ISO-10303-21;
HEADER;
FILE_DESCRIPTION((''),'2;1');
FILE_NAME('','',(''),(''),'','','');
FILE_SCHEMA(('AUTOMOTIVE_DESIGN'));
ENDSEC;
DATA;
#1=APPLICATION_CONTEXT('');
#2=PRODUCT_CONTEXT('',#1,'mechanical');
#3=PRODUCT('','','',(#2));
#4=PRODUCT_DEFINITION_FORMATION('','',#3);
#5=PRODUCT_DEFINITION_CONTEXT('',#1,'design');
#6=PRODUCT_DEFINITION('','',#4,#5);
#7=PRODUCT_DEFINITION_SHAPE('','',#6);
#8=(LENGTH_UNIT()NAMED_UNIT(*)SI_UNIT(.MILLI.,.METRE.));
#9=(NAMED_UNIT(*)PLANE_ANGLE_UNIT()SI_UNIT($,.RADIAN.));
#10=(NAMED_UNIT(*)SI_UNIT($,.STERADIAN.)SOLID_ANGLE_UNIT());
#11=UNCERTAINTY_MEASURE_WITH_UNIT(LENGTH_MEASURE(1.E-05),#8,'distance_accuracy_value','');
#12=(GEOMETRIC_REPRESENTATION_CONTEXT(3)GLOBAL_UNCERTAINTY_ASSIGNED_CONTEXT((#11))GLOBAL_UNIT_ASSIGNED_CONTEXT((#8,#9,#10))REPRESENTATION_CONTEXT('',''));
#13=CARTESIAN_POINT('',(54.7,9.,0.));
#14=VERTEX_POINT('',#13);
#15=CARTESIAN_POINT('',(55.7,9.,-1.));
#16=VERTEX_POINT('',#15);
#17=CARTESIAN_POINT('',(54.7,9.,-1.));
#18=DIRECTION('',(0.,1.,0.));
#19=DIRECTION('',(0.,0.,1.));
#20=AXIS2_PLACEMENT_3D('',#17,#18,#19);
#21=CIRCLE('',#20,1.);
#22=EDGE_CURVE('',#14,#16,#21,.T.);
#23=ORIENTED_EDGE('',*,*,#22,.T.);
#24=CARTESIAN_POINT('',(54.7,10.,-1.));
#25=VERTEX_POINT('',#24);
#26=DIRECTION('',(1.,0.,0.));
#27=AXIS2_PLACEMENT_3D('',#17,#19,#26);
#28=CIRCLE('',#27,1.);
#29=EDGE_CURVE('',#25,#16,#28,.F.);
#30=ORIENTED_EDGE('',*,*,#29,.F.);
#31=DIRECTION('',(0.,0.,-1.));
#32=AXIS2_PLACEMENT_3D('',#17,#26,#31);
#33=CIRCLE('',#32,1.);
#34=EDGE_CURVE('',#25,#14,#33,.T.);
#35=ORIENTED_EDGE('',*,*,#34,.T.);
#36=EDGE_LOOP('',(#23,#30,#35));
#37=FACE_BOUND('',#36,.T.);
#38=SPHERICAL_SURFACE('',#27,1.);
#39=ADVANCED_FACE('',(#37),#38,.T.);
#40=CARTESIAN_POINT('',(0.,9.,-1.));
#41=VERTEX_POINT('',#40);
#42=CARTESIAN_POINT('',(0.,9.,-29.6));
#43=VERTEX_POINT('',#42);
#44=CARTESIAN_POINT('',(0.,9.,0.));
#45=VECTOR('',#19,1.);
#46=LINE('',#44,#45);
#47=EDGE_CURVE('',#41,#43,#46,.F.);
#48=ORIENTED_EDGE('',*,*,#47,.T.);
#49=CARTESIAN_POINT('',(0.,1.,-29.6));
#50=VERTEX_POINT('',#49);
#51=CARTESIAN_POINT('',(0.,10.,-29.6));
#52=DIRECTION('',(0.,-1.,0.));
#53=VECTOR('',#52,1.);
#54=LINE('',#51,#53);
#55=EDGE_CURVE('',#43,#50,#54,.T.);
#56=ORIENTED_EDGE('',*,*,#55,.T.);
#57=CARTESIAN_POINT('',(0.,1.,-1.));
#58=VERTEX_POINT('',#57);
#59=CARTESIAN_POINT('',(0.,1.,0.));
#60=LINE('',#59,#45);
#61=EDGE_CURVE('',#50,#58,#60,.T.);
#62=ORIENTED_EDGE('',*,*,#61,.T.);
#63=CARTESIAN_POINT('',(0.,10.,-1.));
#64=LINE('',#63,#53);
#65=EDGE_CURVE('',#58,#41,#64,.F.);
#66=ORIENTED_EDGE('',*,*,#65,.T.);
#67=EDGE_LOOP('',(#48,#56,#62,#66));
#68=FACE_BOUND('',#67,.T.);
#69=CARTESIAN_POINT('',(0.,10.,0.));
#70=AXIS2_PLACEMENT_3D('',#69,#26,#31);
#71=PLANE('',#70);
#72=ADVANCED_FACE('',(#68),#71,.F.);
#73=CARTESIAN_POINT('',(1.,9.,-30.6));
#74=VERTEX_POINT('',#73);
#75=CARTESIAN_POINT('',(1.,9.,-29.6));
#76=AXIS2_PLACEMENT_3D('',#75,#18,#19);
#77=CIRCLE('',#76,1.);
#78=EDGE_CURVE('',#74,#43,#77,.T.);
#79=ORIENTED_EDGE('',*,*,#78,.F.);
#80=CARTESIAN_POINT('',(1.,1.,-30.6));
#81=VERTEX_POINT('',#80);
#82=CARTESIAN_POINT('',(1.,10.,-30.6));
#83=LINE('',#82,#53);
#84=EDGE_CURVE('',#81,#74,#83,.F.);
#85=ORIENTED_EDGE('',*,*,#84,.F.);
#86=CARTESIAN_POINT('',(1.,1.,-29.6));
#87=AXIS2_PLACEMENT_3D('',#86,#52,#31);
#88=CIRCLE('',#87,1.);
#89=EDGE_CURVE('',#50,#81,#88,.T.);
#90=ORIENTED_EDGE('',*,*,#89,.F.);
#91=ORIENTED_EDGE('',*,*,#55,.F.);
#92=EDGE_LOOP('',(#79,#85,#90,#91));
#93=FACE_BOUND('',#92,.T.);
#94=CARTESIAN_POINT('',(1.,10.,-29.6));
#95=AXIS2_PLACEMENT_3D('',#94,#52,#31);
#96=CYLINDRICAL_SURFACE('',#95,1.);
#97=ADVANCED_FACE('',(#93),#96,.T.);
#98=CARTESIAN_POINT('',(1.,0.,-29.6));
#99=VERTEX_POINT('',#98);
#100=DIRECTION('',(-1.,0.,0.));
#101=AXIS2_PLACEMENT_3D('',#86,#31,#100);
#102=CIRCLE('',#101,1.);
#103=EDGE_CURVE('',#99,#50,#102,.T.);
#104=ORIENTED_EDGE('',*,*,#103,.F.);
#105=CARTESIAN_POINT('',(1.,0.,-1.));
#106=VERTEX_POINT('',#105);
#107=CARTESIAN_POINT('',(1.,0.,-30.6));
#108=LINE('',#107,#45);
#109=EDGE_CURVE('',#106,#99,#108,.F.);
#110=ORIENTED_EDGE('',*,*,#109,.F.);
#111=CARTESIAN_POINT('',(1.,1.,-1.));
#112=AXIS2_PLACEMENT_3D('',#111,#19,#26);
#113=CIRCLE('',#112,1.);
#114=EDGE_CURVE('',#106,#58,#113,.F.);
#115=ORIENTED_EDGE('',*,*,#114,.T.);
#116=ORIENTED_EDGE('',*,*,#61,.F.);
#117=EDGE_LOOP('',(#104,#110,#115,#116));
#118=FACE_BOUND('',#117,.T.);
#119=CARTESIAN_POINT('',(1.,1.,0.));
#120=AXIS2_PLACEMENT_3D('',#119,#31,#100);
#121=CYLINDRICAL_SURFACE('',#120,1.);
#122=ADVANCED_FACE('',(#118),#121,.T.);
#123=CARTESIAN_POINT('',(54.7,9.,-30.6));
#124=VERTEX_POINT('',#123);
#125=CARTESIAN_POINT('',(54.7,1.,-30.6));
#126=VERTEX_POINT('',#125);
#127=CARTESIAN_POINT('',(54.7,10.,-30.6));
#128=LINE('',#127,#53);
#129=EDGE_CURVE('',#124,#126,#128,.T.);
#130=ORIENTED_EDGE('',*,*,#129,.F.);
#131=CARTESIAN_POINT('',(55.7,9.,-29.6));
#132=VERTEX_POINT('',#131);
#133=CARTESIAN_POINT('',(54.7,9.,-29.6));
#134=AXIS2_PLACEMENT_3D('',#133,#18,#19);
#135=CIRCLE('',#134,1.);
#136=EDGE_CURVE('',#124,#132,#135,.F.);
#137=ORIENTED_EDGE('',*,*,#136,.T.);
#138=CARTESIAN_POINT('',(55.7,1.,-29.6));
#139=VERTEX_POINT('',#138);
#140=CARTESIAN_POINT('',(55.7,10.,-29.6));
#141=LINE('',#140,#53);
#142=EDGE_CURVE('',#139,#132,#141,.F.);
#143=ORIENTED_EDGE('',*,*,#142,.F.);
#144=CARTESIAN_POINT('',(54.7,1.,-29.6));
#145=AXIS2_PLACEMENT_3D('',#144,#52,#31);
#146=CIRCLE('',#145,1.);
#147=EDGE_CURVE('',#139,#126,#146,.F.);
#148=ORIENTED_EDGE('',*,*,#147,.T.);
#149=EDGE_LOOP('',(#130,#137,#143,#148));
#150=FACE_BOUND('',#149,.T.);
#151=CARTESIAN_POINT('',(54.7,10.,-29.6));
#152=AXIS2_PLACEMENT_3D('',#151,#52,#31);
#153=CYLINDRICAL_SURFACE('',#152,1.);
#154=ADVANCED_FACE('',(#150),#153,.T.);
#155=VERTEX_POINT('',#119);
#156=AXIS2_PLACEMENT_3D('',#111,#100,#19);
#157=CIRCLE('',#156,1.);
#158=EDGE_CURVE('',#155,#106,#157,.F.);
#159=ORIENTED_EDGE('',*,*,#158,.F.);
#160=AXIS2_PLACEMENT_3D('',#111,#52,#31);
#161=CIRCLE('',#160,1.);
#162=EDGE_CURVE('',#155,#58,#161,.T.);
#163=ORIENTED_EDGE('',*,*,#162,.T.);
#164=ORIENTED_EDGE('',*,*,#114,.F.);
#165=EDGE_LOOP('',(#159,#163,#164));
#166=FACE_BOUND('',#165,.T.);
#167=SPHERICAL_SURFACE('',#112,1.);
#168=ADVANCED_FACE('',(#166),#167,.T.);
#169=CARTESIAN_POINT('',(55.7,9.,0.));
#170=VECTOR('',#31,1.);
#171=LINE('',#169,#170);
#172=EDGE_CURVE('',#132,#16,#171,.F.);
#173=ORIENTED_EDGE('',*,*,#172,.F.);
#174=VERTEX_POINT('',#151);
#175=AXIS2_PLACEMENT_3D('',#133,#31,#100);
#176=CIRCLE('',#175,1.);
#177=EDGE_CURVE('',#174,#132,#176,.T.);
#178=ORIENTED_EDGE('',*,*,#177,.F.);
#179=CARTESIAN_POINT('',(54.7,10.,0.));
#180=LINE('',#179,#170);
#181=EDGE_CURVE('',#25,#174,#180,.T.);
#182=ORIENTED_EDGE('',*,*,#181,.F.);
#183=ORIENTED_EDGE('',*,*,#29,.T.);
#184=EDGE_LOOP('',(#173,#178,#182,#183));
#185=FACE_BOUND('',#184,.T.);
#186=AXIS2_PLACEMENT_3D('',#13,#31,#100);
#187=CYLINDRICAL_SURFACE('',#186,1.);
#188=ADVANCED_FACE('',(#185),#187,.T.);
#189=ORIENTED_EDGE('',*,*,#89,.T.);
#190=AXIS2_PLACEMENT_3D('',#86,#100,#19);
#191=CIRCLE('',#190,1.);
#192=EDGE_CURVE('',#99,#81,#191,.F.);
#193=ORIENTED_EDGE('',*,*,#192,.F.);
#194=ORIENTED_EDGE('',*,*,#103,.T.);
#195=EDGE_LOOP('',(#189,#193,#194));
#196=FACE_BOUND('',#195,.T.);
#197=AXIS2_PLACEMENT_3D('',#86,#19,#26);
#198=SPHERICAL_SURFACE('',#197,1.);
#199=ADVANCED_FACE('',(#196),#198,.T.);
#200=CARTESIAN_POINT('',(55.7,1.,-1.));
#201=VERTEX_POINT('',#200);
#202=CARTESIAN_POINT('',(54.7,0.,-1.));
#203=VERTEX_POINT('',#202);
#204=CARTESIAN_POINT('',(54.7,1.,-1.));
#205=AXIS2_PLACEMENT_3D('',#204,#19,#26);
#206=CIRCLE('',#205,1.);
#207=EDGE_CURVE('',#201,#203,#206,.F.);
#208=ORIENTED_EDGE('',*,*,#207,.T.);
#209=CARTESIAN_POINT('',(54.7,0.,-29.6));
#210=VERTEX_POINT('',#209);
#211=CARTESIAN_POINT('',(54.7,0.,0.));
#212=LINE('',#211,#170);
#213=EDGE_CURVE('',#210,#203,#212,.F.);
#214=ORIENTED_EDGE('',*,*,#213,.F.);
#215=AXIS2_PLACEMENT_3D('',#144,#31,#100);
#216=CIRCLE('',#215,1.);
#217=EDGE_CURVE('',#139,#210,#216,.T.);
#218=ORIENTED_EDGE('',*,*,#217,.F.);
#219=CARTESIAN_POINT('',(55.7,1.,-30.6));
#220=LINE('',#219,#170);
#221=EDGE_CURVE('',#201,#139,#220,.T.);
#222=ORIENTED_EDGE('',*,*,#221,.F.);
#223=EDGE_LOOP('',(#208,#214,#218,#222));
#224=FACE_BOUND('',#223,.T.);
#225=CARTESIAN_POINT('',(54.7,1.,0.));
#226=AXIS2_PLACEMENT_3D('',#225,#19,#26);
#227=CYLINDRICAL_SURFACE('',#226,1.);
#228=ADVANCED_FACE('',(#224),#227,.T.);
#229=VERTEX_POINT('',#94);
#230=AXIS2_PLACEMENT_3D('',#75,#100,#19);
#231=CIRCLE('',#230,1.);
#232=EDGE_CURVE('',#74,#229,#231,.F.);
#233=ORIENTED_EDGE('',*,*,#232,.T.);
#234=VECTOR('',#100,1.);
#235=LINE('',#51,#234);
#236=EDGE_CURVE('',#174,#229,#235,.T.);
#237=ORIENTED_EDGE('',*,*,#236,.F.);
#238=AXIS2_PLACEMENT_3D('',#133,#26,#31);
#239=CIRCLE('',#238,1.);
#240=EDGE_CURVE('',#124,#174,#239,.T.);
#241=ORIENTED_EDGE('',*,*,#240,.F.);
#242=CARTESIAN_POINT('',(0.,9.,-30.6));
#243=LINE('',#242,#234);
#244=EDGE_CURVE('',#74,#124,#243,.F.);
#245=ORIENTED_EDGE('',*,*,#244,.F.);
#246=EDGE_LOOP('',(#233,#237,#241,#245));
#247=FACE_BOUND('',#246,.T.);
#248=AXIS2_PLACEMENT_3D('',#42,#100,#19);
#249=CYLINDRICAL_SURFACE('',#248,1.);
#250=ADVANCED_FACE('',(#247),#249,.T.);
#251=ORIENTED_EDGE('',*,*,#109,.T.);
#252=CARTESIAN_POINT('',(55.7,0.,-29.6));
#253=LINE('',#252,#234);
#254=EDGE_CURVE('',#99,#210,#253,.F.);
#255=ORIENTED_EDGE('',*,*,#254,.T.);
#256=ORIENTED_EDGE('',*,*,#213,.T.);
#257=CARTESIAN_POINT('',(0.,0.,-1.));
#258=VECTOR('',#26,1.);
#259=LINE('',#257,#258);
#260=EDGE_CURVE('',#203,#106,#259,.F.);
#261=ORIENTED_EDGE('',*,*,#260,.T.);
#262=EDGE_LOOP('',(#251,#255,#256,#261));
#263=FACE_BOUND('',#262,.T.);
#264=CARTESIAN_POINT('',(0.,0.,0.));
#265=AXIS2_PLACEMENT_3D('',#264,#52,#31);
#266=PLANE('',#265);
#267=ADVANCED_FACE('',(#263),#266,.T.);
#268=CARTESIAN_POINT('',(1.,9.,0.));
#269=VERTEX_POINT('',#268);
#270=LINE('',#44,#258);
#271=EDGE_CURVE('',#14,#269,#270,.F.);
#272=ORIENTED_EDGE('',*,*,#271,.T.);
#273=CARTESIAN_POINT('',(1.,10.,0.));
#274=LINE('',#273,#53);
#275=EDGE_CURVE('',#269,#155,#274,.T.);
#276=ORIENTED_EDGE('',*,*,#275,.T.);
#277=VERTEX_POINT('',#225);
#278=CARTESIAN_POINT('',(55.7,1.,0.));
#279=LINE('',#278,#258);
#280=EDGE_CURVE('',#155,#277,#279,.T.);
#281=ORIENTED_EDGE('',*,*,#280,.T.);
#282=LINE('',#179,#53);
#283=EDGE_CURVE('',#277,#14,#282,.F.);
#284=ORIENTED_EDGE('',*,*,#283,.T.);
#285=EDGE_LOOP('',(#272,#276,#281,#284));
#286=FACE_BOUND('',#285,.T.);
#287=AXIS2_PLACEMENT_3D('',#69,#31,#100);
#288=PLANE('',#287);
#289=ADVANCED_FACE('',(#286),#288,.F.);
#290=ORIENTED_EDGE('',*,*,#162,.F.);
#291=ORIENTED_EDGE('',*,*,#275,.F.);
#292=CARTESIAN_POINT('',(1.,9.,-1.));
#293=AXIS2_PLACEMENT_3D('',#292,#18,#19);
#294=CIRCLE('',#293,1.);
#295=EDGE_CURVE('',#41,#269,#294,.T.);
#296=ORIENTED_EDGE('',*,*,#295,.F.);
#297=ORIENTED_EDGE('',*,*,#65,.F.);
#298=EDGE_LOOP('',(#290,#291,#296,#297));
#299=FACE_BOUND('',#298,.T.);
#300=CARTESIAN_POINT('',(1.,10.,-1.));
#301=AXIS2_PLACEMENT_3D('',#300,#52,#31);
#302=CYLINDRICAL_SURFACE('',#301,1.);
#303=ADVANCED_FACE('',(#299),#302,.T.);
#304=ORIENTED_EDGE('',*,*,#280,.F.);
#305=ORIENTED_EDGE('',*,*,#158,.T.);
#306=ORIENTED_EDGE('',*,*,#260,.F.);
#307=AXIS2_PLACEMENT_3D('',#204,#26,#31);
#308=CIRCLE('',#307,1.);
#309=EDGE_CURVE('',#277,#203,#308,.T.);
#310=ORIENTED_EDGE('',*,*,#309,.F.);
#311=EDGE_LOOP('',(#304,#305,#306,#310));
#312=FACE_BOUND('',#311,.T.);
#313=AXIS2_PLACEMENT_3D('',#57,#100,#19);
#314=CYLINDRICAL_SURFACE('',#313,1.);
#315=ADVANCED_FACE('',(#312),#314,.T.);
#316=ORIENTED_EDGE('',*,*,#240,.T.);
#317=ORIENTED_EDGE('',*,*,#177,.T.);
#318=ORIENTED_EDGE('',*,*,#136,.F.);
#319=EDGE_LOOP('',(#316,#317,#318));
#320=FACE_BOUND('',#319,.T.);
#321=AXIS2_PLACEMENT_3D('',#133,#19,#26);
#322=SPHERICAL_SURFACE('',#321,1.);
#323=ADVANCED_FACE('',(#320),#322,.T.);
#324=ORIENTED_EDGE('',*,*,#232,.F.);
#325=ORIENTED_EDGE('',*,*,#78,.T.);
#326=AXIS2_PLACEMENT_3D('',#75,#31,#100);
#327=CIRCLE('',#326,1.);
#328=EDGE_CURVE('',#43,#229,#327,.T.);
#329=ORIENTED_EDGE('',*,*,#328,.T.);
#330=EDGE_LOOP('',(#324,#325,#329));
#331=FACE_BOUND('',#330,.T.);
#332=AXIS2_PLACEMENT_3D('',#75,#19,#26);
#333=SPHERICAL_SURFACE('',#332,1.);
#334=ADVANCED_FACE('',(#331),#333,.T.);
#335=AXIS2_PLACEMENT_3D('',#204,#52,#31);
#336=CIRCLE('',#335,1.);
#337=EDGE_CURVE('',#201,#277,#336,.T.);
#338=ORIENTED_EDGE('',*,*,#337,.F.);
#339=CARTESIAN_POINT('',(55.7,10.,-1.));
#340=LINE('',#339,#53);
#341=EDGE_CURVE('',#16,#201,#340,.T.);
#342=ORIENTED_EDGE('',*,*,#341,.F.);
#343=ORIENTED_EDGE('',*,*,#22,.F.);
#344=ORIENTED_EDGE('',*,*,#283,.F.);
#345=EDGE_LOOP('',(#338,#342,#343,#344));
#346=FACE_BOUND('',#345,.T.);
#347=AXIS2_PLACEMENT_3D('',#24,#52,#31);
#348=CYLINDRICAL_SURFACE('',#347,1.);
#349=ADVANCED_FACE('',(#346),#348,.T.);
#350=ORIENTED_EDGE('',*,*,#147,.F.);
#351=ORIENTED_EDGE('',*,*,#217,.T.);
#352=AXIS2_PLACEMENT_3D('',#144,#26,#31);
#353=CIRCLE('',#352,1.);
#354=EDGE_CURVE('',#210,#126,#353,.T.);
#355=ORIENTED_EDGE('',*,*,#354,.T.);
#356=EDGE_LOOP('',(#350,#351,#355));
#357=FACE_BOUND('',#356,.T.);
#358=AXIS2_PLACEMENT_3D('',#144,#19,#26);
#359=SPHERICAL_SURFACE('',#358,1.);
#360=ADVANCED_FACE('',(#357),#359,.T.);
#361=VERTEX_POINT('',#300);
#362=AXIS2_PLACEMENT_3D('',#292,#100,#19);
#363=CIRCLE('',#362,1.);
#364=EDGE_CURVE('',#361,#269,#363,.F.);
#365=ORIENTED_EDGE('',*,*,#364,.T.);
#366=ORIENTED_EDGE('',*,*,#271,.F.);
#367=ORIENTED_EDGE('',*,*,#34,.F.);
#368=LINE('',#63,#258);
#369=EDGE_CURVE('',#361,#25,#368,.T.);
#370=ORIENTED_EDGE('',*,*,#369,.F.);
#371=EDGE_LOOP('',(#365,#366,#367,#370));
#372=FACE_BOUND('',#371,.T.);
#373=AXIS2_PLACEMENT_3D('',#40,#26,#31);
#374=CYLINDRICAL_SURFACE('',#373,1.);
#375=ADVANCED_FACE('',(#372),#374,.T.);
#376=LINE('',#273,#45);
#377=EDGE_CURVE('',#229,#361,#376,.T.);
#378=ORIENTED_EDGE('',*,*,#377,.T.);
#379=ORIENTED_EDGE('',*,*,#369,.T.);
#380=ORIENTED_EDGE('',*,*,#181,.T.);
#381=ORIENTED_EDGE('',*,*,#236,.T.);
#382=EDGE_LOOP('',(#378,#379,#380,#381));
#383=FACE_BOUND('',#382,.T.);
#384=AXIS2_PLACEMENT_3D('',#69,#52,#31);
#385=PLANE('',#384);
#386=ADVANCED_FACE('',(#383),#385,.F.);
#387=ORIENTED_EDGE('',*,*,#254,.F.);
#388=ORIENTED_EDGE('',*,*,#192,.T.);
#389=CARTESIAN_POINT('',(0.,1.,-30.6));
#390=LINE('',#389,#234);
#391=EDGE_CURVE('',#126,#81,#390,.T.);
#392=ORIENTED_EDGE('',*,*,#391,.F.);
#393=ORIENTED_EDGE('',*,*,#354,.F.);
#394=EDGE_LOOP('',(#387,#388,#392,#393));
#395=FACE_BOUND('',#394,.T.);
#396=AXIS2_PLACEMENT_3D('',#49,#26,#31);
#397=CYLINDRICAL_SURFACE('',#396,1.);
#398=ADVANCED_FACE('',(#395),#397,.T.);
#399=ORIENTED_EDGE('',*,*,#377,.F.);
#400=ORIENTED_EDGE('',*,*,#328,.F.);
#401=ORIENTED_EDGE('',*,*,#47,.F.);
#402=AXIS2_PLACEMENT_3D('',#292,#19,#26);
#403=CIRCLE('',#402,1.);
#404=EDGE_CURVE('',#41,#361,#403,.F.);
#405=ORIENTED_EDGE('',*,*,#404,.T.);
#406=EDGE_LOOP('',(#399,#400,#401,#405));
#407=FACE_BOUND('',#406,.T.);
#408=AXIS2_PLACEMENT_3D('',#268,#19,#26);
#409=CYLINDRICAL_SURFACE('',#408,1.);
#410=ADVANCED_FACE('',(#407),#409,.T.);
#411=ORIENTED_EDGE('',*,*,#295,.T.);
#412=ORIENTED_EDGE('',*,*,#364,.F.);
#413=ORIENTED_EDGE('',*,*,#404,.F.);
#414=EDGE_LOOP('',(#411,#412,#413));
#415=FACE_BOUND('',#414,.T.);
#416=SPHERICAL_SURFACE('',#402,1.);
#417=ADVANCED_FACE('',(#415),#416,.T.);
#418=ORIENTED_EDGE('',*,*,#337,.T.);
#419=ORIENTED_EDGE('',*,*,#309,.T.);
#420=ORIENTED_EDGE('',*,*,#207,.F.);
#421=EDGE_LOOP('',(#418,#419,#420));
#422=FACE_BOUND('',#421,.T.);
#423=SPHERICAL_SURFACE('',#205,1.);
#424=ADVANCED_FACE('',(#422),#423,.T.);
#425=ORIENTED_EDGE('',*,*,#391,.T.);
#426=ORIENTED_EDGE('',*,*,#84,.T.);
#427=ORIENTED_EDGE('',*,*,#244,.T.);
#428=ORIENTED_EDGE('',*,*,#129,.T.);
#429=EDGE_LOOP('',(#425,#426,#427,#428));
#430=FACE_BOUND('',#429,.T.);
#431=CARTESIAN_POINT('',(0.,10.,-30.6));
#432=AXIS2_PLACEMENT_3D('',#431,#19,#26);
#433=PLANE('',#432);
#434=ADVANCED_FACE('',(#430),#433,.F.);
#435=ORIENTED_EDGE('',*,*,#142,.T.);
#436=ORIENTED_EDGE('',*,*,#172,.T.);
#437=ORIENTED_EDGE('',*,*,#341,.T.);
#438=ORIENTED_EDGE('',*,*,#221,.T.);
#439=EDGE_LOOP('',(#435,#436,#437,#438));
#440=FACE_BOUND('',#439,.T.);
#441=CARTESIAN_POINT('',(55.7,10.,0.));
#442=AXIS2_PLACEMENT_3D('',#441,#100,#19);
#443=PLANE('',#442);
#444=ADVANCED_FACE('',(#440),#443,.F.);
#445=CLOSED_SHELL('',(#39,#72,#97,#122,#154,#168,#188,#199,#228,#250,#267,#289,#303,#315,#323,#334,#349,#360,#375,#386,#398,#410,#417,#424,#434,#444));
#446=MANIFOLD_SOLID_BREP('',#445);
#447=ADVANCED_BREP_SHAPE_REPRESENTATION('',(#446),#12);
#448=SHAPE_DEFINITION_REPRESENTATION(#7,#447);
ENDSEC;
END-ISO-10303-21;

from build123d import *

# Parameters (mm, degrees)
SKETCH1_W           = 55.7
SKETCH1_H           = 30.6
BOSS_EXTRUDE1_DEPTH = 10
FILLET1_R           = 1


with BuildPart() as part:
    # Sketch1 → Boss-Extrude1 (new body)
    with BuildSketch(Plane(origin=(0, 0, 0), x_dir=(1, 0, 0), z_dir=(0, 1, 0))):
        with Locations((27.85, 15.3)):
            Rectangle(SKETCH1_W, SKETCH1_H)
    extrude(amount=BOSS_EXTRUDE1_DEPTH)

    # Fillet1
    fillet1_edges = [part.edges().sort_by_distance(p)[0] for p in [
        (55.7, 10, -15.3),
        (27.85, 10, -30.6),
        (0, 10, -15.3),
        (27.85, 0, -30.6),
        (55.7, 0, -15.3),
        (27.85, 0, 0),
        (0, 0, -15.3),
        (27.85, 10, 0),
        (0, 5, -30.6),
        (55.7, 5, -30.6),
        (55.7, 5, 0),
        (0, 5, 0),
    ]]
    fillet(fillet1_edges, radius=FILLET1_R)


solid = part.part
